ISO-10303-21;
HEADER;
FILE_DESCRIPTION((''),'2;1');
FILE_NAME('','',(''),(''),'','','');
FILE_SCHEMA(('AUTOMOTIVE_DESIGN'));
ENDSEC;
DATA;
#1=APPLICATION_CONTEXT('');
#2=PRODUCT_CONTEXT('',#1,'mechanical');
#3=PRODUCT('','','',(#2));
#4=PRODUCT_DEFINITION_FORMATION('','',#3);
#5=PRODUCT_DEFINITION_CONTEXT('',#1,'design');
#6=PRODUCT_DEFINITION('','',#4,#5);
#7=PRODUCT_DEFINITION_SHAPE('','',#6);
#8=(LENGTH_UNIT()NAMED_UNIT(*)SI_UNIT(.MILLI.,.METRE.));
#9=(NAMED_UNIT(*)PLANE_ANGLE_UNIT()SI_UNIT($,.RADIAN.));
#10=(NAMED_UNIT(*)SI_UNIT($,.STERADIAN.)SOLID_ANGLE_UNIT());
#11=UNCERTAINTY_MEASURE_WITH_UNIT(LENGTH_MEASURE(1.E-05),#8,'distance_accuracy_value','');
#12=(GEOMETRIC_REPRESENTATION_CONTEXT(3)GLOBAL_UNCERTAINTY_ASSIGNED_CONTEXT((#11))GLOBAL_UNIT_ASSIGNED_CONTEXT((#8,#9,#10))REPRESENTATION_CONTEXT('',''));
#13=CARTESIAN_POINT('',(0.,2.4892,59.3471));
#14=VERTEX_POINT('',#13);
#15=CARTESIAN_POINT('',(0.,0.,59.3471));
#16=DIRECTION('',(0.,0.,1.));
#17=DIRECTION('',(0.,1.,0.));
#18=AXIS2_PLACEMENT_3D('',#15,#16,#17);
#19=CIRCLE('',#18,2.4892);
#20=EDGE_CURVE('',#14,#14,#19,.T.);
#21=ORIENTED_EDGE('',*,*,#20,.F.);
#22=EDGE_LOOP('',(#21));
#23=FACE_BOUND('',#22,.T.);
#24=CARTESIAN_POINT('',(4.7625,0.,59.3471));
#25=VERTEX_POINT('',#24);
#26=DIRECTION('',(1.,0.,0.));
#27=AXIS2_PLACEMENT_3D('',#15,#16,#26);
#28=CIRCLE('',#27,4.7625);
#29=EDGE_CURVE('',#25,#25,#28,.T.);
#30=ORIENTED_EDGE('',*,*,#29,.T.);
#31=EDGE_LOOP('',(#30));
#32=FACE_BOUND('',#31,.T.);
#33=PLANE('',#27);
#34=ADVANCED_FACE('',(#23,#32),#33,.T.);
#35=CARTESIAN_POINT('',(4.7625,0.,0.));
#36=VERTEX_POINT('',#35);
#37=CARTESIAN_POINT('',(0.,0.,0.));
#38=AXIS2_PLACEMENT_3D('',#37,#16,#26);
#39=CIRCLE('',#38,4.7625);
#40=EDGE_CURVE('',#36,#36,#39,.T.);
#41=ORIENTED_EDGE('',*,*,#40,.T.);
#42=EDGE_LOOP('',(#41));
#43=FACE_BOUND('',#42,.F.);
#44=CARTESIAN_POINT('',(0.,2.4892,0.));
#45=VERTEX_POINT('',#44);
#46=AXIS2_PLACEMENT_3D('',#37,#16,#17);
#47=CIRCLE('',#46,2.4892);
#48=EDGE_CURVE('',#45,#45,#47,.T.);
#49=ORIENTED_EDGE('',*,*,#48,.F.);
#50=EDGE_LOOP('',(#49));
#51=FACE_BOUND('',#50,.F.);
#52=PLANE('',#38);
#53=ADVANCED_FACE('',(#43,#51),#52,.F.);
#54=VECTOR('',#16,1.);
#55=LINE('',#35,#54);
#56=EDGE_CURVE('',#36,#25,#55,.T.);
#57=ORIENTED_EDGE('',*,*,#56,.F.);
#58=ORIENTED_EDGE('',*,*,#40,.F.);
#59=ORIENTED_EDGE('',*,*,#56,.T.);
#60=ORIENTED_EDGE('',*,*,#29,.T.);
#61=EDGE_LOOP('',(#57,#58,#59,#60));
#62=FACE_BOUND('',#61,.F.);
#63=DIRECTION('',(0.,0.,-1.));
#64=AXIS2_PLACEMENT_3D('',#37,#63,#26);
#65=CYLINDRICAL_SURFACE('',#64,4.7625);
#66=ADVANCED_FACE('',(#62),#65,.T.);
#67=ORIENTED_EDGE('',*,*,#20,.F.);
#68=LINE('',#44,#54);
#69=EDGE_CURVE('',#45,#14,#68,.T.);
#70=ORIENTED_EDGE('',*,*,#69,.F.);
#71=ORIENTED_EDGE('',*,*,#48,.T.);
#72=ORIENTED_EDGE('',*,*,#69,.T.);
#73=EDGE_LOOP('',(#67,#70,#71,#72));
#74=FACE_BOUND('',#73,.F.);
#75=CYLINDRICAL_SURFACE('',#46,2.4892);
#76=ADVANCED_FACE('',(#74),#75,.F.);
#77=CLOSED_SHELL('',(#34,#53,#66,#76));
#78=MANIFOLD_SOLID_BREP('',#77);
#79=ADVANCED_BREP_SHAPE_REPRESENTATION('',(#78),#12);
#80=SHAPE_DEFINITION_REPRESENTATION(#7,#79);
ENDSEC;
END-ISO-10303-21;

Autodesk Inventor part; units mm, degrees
ref_plane "YZ Plane" through (0, 0, 0) normal (1, 0, 0) x (0, 1, 0)
ref_plane "XZ Plane" through (0, 0, 0) normal (0, 1, 0) x (-1, 0, 0)
ref_plane "XY Plane" through (0, 0, 0) normal (0, 0, 1) x (1, 0, 0)
sketch "Sketch1" plane through (0, 0, 0) normal (0, 0, 1) x (1, 0, 0)
  circle A0 centre (0, 0) radius 4.7625
  dimension "d0" = 9.525
extrude "Extrusion1" add sketch "Sketch1" along normal blind 59.3471
hole "Hole1" at (0, 0, 0) direction (0, 0, 1) diameter 4.9784 end through all clearance for "Socket Head Cap Screw" size "#10" standard "Ansi Unified Screw Threads"
properties part number "Mouning Standoff"
